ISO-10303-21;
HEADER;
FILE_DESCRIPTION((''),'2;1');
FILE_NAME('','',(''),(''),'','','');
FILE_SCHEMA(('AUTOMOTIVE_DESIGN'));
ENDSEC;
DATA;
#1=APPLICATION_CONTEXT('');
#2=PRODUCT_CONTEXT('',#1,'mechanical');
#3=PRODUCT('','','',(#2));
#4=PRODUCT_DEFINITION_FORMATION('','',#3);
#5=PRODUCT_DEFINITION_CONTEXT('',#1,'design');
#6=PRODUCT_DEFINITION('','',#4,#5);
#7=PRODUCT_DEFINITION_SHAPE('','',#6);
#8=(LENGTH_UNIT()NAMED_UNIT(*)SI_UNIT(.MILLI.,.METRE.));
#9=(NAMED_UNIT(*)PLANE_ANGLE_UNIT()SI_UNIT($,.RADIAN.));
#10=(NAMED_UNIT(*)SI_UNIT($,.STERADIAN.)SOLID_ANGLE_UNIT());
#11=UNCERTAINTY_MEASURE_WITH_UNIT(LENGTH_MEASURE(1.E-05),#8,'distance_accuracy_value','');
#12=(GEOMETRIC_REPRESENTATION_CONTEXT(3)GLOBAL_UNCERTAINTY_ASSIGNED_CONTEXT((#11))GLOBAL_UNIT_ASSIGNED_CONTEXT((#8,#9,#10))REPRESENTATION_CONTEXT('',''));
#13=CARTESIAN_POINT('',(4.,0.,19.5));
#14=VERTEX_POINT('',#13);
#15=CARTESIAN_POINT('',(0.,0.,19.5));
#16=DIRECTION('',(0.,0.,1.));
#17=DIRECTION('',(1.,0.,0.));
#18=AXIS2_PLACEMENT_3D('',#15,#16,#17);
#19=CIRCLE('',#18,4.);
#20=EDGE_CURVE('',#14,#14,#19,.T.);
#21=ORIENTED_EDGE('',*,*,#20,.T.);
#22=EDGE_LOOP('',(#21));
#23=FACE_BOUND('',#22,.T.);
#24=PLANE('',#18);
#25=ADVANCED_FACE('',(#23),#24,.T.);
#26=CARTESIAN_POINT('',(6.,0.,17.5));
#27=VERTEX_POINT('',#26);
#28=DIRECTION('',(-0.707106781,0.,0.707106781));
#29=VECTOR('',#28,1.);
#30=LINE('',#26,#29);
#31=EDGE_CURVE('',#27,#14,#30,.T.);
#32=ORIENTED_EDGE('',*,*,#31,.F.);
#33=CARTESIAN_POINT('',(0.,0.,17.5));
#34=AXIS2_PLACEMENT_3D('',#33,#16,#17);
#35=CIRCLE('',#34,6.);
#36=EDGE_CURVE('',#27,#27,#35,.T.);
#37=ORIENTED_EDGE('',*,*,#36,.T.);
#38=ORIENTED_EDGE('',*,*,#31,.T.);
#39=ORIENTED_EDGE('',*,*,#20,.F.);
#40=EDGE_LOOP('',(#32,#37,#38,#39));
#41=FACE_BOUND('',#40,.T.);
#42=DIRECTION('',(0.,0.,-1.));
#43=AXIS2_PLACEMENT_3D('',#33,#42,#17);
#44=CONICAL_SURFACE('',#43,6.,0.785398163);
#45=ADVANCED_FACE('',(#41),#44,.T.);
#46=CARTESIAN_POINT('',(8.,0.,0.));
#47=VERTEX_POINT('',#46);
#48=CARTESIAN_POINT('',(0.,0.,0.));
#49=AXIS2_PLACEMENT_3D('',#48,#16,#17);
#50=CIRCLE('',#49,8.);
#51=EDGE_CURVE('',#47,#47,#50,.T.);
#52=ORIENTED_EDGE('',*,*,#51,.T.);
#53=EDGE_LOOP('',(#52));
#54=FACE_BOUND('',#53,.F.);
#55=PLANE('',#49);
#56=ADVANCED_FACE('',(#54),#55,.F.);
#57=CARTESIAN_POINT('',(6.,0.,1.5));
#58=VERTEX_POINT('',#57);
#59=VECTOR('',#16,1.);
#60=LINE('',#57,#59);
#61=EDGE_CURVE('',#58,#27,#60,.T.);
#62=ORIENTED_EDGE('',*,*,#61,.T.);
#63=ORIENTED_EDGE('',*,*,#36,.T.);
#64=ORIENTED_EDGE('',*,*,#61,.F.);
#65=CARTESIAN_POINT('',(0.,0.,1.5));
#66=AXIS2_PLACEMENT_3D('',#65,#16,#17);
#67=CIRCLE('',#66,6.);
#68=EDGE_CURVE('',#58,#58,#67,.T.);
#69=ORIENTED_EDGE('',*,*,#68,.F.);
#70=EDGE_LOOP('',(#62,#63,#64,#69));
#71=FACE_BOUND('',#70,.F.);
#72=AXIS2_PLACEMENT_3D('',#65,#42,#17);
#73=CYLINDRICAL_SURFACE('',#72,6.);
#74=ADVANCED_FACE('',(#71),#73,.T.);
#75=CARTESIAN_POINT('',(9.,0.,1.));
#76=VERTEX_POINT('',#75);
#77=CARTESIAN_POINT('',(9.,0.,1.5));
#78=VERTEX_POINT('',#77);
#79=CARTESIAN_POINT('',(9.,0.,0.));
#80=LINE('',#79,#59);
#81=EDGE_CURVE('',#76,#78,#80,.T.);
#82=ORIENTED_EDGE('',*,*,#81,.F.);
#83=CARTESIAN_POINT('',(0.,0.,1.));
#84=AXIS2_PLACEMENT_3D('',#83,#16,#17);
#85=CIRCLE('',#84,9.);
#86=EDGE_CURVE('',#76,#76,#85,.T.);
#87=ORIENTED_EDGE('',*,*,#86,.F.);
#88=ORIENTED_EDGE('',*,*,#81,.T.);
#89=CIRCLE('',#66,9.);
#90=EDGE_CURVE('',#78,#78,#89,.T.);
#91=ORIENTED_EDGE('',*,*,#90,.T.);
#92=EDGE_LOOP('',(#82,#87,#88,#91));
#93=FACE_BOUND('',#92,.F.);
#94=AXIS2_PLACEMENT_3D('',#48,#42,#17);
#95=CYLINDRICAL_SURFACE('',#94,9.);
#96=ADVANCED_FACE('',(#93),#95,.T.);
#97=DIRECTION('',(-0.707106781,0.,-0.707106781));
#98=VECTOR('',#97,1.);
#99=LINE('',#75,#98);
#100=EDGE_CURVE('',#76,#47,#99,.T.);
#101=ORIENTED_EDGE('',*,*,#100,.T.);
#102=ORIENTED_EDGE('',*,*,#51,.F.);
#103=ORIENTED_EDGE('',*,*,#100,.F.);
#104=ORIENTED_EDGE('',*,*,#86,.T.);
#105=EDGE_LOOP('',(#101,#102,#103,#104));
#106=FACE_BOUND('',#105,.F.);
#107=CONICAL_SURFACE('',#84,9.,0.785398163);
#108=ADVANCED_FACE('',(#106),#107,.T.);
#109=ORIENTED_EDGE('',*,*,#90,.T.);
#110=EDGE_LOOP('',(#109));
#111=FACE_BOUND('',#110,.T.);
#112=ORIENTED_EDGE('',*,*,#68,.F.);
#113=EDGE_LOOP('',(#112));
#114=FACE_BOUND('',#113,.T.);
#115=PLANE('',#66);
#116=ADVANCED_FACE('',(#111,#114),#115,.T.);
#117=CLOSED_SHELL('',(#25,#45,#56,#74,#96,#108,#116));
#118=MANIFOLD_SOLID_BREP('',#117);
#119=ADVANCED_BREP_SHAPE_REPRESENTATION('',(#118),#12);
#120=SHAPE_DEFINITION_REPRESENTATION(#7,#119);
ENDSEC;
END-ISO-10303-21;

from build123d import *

# Parameters (mm, degrees)
SKETCH_R        = 9
PAD_DEPTH       = 1.5
SKETCH001_R     = 6
PAD001_DEPTH    = 18
CHAMFER_SIZE    = 1
CHAMFER001_SIZE = 2


with BuildPart() as part:
    # Sketch → Pad (new body)
    with BuildSketch(Plane.XY):
        Circle(SKETCH_R)
    extrude(amount=PAD_DEPTH)

    # Sketch001 (on Face3 of Pad) → Pad001 (join)
    with BuildSketch(Plane.XY.offset(1.5)):
        Circle(SKETCH001_R)
    extrude(amount=PAD001_DEPTH)

    # Chamfer
    chamfer_edges = [part.edges().sort_by_distance(p)[0] for p in [
        (-9, 0, 0),
    ]]
    chamfer(chamfer_edges, length=CHAMFER_SIZE)

    # Chamfer001
    chamfer001_edges = [part.edges().sort_by_distance(p)[0] for p in [
        (-6, 0, 19.5),
    ]]
    chamfer(chamfer001_edges, length=CHAMFER001_SIZE)


solid = part.part
